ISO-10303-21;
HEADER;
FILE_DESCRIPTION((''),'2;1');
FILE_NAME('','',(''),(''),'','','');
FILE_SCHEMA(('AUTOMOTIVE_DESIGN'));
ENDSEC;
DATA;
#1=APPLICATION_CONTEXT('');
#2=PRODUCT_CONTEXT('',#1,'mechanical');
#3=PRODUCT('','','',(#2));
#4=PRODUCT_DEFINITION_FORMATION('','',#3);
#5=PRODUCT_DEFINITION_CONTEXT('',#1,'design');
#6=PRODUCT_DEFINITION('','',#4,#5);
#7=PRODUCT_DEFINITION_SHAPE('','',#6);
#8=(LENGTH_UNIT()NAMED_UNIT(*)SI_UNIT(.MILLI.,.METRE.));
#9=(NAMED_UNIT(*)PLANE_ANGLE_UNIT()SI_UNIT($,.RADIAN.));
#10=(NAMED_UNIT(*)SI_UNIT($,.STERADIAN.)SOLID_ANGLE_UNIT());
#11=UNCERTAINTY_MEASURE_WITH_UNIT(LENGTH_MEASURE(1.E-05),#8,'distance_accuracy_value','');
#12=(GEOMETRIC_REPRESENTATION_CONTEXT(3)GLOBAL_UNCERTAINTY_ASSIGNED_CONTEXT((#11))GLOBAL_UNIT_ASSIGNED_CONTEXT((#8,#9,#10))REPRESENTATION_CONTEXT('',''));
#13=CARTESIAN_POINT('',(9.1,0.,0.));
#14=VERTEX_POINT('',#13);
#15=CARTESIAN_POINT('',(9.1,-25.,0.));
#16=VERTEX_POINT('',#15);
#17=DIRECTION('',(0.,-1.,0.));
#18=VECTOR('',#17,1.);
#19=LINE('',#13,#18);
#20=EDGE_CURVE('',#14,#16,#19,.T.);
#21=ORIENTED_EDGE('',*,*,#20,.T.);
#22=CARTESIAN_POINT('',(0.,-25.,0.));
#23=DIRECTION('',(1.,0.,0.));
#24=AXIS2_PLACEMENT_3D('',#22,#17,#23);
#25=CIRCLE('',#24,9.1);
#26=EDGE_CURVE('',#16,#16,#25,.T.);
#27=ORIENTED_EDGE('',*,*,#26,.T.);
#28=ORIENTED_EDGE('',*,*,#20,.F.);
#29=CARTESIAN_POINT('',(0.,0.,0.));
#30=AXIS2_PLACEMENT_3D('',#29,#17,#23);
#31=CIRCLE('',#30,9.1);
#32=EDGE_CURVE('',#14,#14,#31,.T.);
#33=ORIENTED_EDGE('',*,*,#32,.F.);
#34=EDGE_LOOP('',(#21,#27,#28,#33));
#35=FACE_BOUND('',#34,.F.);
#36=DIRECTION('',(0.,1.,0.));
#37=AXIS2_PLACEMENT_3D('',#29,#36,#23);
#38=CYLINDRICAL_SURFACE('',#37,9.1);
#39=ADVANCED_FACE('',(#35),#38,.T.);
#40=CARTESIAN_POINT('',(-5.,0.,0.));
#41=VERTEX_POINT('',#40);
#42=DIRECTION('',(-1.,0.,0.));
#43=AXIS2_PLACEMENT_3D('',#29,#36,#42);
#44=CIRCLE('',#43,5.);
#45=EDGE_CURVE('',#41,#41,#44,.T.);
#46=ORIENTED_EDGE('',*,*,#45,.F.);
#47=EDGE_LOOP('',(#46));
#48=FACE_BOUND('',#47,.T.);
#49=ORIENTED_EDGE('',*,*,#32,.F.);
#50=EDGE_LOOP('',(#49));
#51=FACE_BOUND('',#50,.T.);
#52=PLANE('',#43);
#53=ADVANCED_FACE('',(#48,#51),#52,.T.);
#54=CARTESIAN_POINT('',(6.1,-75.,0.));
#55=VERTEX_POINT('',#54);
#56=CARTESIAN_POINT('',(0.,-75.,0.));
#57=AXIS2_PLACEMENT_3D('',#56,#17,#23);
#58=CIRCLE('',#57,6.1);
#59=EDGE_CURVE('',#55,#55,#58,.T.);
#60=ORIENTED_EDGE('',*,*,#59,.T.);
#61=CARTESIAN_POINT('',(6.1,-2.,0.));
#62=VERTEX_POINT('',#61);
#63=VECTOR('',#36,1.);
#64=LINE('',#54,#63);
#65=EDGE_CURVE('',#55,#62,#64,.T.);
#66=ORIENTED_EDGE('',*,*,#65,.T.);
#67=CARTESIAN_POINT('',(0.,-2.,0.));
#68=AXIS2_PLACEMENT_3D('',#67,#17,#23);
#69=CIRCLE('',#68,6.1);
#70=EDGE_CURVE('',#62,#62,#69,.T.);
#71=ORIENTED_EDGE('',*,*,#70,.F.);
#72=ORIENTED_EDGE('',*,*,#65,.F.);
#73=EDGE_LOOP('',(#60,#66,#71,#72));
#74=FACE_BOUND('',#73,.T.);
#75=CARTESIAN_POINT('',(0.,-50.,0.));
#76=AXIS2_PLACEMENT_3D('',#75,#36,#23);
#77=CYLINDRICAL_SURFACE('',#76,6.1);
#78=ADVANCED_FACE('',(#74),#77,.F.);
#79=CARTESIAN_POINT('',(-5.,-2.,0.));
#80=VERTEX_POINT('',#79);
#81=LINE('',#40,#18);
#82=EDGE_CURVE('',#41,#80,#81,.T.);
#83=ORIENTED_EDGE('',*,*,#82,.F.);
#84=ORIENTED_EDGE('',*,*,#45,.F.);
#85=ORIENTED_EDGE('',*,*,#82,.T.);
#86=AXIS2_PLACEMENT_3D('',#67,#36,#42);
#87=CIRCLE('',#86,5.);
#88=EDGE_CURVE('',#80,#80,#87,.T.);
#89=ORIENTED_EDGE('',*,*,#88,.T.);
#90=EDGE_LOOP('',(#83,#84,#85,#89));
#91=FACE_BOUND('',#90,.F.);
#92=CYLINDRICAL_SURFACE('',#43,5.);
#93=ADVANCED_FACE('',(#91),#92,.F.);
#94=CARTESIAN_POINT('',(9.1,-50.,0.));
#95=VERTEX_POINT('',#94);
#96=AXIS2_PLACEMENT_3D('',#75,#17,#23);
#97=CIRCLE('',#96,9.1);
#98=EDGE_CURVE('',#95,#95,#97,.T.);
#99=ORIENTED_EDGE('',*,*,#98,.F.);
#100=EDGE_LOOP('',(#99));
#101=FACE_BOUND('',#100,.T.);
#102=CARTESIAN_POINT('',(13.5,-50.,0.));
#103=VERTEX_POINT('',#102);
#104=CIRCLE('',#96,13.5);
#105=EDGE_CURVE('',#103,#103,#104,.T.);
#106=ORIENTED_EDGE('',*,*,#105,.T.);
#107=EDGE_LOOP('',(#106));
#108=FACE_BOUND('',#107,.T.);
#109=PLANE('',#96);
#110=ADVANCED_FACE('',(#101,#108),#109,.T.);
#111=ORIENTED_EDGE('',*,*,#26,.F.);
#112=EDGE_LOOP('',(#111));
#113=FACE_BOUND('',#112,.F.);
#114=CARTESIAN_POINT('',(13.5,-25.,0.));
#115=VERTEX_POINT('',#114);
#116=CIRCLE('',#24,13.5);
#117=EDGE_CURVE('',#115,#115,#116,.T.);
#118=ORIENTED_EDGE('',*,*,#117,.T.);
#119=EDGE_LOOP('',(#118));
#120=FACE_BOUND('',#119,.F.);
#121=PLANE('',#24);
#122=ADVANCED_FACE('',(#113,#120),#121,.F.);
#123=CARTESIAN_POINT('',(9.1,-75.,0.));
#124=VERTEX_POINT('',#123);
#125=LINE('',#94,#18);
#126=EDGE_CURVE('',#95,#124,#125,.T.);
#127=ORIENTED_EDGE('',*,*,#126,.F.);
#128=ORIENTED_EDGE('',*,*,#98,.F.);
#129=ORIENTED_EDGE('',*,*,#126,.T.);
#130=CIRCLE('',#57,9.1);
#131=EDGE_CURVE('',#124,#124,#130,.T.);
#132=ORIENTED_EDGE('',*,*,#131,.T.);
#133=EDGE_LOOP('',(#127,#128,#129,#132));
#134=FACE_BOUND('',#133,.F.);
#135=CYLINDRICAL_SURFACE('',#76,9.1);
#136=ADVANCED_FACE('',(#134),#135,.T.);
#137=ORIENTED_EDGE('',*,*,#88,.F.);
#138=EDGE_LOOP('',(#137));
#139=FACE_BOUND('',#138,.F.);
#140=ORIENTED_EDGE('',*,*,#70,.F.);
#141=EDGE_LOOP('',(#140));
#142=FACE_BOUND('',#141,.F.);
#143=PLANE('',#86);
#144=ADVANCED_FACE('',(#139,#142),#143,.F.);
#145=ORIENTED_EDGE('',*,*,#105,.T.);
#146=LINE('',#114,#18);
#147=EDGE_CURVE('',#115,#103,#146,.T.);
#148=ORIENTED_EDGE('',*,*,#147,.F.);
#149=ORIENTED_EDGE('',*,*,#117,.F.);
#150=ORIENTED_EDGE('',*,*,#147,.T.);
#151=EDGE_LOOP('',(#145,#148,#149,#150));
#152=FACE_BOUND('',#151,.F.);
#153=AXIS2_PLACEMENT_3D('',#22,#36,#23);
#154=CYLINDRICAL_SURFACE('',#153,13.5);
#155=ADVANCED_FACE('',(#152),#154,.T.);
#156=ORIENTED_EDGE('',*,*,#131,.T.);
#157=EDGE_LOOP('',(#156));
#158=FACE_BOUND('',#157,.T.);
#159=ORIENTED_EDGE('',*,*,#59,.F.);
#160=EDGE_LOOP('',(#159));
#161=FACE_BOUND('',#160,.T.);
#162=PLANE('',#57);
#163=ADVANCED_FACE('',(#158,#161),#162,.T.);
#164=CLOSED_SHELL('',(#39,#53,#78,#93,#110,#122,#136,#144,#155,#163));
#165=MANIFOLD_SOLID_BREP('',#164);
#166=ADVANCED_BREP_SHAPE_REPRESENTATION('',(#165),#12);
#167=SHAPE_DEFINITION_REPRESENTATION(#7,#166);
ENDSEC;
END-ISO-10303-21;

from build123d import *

# Parameters (mm, degrees)
F0_R     = 9.1
F0_R_2   = 6.1
F1_DEPTH = 25
F2_R     = 13.5
F2_R_2   = 9.1
F2_R_3   = 6.1
F3_DEPTH = 25
F4_R     = 9.1
F4_R_2   = 6.1
F5_DEPTH = 25
F6_R     = 6.1
F6_R_2   = 5
F7_DEPTH = 2


with BuildPart() as f1:
    # F0 (on Front) → F1 (new body)
    with BuildSketch(Plane.XZ):
        Circle(F0_R)
        Circle(F0_R_2, mode=Mode.SUBTRACT)
    extrude(amount=F1_DEPTH)

    # F2 (on face) → F3 (join)
    with BuildSketch(Plane.XZ.offset(25)):
        Circle(F2_R)
        Circle(F2_R_2, mode=Mode.SUBTRACT)
        Circle(F2_R_2)
        Circle(F2_R_3, mode=Mode.SUBTRACT)
    extrude(amount=F3_DEPTH)

    # F4 (on face) → F5 (join)
    with BuildSketch(Plane.XZ.offset(50)):
        Circle(F4_R)
        Circle(F4_R_2, mode=Mode.SUBTRACT)
    extrude(amount=F5_DEPTH)

    # F6 (on face) → F7 (join)
    with BuildSketch(Plane(origin=(0, 0, 0), x_dir=(-1, 0, 0), z_dir=(0, 1, 0))):
        Circle(F6_R)
        Circle(F6_R_2, mode=Mode.SUBTRACT)
    extrude(amount=-F7_DEPTH)


solid = f1.part
